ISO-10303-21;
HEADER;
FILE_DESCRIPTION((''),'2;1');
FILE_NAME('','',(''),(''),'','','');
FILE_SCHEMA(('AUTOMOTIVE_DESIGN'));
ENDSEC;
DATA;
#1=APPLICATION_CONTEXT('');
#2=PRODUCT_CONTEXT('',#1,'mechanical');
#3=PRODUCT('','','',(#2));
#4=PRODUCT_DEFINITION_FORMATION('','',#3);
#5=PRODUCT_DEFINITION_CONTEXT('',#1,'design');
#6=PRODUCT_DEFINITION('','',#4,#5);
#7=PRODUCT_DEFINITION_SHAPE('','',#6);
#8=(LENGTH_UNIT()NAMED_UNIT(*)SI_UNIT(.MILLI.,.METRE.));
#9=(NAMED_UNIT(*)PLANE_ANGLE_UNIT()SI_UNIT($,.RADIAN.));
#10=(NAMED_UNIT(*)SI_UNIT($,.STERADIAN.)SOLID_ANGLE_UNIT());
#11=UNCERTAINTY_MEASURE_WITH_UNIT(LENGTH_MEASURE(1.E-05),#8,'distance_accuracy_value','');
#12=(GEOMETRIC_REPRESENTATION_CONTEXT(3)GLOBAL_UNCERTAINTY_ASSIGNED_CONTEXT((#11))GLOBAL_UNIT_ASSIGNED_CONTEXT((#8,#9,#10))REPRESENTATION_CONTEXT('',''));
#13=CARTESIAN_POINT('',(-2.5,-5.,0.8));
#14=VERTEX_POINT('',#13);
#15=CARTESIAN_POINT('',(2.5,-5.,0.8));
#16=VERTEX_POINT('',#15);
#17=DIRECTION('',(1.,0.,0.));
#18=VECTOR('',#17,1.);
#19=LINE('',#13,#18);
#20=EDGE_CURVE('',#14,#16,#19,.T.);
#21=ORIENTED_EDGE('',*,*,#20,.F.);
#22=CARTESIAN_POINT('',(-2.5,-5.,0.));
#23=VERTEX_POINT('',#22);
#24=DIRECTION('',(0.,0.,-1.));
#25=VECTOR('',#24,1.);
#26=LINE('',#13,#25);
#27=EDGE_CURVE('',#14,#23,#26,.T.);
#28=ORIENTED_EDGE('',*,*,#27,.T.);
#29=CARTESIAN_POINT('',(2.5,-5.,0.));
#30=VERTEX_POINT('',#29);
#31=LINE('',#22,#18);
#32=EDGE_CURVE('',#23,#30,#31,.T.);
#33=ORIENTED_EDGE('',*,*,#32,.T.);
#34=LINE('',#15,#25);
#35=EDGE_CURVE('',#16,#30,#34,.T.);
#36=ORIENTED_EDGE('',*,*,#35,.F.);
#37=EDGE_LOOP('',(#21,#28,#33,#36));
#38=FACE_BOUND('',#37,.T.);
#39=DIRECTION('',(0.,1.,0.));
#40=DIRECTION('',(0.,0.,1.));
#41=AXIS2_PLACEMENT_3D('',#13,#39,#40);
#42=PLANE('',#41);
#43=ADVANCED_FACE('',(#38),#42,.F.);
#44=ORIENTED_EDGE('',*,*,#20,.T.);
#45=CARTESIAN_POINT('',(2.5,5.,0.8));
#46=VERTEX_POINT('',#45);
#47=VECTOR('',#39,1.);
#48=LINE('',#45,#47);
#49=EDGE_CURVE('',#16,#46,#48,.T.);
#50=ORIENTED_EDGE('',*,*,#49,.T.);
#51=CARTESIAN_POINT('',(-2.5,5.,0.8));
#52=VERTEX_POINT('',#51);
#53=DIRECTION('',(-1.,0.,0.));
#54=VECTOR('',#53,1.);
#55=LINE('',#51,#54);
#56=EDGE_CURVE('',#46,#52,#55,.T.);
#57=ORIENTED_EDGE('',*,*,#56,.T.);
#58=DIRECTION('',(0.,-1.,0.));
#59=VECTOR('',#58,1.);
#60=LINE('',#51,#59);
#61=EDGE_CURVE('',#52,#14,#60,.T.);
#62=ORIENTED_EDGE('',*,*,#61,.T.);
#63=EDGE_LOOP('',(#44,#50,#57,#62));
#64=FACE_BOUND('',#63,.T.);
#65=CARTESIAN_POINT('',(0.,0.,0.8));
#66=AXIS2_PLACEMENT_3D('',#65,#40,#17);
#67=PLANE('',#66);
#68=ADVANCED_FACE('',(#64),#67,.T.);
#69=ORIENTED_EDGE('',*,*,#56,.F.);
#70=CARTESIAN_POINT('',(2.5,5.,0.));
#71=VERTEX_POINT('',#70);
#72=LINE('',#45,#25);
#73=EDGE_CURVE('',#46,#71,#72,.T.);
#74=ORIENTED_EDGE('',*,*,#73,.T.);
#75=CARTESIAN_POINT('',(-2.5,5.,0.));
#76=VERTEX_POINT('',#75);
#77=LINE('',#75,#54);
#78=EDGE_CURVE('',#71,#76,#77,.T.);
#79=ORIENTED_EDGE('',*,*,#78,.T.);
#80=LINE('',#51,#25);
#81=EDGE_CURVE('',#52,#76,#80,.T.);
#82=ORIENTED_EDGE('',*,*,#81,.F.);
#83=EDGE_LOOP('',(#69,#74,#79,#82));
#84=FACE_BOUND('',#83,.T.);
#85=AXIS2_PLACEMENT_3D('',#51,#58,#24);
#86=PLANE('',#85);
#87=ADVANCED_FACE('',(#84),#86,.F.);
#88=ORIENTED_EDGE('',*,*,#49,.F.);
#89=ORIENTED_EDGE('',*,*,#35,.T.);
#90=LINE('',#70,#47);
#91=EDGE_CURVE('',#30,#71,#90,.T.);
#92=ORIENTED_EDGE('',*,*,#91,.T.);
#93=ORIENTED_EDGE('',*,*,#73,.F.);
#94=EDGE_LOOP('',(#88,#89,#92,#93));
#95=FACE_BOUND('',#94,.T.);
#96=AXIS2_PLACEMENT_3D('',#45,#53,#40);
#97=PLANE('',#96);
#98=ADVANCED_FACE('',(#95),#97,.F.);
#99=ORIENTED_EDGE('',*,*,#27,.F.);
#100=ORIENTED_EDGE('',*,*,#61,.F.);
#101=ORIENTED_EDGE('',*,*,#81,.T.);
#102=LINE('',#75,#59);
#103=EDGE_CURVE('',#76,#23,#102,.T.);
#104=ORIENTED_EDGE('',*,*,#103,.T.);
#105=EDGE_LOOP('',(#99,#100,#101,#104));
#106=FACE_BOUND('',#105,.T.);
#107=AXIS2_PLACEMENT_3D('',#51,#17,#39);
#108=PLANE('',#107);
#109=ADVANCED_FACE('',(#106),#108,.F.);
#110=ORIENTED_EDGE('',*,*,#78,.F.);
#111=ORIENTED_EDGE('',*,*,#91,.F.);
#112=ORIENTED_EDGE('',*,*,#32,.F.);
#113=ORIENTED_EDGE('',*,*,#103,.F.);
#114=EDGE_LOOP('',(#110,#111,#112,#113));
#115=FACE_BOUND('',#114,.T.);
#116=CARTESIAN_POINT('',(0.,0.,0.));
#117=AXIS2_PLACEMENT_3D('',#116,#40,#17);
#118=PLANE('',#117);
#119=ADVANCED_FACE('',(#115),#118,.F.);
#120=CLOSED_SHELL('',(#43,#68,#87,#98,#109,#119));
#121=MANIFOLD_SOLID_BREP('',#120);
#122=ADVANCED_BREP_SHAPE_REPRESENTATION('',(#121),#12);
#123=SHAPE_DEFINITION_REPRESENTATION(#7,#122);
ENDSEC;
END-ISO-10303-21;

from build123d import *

# Parameters (mm, degrees)
SKETCH1_W           = 5
SKETCH1_H           = 10
BOSS_EXTRUDE1_DEPTH = 0.8


with BuildPart() as part:
    # Sketch1 → Boss-Extrude1 (new body)
    with BuildSketch(Plane.XY):
        Rectangle(SKETCH1_W, SKETCH1_H)
    extrude(amount=BOSS_EXTRUDE1_DEPTH)


solid = part.part
